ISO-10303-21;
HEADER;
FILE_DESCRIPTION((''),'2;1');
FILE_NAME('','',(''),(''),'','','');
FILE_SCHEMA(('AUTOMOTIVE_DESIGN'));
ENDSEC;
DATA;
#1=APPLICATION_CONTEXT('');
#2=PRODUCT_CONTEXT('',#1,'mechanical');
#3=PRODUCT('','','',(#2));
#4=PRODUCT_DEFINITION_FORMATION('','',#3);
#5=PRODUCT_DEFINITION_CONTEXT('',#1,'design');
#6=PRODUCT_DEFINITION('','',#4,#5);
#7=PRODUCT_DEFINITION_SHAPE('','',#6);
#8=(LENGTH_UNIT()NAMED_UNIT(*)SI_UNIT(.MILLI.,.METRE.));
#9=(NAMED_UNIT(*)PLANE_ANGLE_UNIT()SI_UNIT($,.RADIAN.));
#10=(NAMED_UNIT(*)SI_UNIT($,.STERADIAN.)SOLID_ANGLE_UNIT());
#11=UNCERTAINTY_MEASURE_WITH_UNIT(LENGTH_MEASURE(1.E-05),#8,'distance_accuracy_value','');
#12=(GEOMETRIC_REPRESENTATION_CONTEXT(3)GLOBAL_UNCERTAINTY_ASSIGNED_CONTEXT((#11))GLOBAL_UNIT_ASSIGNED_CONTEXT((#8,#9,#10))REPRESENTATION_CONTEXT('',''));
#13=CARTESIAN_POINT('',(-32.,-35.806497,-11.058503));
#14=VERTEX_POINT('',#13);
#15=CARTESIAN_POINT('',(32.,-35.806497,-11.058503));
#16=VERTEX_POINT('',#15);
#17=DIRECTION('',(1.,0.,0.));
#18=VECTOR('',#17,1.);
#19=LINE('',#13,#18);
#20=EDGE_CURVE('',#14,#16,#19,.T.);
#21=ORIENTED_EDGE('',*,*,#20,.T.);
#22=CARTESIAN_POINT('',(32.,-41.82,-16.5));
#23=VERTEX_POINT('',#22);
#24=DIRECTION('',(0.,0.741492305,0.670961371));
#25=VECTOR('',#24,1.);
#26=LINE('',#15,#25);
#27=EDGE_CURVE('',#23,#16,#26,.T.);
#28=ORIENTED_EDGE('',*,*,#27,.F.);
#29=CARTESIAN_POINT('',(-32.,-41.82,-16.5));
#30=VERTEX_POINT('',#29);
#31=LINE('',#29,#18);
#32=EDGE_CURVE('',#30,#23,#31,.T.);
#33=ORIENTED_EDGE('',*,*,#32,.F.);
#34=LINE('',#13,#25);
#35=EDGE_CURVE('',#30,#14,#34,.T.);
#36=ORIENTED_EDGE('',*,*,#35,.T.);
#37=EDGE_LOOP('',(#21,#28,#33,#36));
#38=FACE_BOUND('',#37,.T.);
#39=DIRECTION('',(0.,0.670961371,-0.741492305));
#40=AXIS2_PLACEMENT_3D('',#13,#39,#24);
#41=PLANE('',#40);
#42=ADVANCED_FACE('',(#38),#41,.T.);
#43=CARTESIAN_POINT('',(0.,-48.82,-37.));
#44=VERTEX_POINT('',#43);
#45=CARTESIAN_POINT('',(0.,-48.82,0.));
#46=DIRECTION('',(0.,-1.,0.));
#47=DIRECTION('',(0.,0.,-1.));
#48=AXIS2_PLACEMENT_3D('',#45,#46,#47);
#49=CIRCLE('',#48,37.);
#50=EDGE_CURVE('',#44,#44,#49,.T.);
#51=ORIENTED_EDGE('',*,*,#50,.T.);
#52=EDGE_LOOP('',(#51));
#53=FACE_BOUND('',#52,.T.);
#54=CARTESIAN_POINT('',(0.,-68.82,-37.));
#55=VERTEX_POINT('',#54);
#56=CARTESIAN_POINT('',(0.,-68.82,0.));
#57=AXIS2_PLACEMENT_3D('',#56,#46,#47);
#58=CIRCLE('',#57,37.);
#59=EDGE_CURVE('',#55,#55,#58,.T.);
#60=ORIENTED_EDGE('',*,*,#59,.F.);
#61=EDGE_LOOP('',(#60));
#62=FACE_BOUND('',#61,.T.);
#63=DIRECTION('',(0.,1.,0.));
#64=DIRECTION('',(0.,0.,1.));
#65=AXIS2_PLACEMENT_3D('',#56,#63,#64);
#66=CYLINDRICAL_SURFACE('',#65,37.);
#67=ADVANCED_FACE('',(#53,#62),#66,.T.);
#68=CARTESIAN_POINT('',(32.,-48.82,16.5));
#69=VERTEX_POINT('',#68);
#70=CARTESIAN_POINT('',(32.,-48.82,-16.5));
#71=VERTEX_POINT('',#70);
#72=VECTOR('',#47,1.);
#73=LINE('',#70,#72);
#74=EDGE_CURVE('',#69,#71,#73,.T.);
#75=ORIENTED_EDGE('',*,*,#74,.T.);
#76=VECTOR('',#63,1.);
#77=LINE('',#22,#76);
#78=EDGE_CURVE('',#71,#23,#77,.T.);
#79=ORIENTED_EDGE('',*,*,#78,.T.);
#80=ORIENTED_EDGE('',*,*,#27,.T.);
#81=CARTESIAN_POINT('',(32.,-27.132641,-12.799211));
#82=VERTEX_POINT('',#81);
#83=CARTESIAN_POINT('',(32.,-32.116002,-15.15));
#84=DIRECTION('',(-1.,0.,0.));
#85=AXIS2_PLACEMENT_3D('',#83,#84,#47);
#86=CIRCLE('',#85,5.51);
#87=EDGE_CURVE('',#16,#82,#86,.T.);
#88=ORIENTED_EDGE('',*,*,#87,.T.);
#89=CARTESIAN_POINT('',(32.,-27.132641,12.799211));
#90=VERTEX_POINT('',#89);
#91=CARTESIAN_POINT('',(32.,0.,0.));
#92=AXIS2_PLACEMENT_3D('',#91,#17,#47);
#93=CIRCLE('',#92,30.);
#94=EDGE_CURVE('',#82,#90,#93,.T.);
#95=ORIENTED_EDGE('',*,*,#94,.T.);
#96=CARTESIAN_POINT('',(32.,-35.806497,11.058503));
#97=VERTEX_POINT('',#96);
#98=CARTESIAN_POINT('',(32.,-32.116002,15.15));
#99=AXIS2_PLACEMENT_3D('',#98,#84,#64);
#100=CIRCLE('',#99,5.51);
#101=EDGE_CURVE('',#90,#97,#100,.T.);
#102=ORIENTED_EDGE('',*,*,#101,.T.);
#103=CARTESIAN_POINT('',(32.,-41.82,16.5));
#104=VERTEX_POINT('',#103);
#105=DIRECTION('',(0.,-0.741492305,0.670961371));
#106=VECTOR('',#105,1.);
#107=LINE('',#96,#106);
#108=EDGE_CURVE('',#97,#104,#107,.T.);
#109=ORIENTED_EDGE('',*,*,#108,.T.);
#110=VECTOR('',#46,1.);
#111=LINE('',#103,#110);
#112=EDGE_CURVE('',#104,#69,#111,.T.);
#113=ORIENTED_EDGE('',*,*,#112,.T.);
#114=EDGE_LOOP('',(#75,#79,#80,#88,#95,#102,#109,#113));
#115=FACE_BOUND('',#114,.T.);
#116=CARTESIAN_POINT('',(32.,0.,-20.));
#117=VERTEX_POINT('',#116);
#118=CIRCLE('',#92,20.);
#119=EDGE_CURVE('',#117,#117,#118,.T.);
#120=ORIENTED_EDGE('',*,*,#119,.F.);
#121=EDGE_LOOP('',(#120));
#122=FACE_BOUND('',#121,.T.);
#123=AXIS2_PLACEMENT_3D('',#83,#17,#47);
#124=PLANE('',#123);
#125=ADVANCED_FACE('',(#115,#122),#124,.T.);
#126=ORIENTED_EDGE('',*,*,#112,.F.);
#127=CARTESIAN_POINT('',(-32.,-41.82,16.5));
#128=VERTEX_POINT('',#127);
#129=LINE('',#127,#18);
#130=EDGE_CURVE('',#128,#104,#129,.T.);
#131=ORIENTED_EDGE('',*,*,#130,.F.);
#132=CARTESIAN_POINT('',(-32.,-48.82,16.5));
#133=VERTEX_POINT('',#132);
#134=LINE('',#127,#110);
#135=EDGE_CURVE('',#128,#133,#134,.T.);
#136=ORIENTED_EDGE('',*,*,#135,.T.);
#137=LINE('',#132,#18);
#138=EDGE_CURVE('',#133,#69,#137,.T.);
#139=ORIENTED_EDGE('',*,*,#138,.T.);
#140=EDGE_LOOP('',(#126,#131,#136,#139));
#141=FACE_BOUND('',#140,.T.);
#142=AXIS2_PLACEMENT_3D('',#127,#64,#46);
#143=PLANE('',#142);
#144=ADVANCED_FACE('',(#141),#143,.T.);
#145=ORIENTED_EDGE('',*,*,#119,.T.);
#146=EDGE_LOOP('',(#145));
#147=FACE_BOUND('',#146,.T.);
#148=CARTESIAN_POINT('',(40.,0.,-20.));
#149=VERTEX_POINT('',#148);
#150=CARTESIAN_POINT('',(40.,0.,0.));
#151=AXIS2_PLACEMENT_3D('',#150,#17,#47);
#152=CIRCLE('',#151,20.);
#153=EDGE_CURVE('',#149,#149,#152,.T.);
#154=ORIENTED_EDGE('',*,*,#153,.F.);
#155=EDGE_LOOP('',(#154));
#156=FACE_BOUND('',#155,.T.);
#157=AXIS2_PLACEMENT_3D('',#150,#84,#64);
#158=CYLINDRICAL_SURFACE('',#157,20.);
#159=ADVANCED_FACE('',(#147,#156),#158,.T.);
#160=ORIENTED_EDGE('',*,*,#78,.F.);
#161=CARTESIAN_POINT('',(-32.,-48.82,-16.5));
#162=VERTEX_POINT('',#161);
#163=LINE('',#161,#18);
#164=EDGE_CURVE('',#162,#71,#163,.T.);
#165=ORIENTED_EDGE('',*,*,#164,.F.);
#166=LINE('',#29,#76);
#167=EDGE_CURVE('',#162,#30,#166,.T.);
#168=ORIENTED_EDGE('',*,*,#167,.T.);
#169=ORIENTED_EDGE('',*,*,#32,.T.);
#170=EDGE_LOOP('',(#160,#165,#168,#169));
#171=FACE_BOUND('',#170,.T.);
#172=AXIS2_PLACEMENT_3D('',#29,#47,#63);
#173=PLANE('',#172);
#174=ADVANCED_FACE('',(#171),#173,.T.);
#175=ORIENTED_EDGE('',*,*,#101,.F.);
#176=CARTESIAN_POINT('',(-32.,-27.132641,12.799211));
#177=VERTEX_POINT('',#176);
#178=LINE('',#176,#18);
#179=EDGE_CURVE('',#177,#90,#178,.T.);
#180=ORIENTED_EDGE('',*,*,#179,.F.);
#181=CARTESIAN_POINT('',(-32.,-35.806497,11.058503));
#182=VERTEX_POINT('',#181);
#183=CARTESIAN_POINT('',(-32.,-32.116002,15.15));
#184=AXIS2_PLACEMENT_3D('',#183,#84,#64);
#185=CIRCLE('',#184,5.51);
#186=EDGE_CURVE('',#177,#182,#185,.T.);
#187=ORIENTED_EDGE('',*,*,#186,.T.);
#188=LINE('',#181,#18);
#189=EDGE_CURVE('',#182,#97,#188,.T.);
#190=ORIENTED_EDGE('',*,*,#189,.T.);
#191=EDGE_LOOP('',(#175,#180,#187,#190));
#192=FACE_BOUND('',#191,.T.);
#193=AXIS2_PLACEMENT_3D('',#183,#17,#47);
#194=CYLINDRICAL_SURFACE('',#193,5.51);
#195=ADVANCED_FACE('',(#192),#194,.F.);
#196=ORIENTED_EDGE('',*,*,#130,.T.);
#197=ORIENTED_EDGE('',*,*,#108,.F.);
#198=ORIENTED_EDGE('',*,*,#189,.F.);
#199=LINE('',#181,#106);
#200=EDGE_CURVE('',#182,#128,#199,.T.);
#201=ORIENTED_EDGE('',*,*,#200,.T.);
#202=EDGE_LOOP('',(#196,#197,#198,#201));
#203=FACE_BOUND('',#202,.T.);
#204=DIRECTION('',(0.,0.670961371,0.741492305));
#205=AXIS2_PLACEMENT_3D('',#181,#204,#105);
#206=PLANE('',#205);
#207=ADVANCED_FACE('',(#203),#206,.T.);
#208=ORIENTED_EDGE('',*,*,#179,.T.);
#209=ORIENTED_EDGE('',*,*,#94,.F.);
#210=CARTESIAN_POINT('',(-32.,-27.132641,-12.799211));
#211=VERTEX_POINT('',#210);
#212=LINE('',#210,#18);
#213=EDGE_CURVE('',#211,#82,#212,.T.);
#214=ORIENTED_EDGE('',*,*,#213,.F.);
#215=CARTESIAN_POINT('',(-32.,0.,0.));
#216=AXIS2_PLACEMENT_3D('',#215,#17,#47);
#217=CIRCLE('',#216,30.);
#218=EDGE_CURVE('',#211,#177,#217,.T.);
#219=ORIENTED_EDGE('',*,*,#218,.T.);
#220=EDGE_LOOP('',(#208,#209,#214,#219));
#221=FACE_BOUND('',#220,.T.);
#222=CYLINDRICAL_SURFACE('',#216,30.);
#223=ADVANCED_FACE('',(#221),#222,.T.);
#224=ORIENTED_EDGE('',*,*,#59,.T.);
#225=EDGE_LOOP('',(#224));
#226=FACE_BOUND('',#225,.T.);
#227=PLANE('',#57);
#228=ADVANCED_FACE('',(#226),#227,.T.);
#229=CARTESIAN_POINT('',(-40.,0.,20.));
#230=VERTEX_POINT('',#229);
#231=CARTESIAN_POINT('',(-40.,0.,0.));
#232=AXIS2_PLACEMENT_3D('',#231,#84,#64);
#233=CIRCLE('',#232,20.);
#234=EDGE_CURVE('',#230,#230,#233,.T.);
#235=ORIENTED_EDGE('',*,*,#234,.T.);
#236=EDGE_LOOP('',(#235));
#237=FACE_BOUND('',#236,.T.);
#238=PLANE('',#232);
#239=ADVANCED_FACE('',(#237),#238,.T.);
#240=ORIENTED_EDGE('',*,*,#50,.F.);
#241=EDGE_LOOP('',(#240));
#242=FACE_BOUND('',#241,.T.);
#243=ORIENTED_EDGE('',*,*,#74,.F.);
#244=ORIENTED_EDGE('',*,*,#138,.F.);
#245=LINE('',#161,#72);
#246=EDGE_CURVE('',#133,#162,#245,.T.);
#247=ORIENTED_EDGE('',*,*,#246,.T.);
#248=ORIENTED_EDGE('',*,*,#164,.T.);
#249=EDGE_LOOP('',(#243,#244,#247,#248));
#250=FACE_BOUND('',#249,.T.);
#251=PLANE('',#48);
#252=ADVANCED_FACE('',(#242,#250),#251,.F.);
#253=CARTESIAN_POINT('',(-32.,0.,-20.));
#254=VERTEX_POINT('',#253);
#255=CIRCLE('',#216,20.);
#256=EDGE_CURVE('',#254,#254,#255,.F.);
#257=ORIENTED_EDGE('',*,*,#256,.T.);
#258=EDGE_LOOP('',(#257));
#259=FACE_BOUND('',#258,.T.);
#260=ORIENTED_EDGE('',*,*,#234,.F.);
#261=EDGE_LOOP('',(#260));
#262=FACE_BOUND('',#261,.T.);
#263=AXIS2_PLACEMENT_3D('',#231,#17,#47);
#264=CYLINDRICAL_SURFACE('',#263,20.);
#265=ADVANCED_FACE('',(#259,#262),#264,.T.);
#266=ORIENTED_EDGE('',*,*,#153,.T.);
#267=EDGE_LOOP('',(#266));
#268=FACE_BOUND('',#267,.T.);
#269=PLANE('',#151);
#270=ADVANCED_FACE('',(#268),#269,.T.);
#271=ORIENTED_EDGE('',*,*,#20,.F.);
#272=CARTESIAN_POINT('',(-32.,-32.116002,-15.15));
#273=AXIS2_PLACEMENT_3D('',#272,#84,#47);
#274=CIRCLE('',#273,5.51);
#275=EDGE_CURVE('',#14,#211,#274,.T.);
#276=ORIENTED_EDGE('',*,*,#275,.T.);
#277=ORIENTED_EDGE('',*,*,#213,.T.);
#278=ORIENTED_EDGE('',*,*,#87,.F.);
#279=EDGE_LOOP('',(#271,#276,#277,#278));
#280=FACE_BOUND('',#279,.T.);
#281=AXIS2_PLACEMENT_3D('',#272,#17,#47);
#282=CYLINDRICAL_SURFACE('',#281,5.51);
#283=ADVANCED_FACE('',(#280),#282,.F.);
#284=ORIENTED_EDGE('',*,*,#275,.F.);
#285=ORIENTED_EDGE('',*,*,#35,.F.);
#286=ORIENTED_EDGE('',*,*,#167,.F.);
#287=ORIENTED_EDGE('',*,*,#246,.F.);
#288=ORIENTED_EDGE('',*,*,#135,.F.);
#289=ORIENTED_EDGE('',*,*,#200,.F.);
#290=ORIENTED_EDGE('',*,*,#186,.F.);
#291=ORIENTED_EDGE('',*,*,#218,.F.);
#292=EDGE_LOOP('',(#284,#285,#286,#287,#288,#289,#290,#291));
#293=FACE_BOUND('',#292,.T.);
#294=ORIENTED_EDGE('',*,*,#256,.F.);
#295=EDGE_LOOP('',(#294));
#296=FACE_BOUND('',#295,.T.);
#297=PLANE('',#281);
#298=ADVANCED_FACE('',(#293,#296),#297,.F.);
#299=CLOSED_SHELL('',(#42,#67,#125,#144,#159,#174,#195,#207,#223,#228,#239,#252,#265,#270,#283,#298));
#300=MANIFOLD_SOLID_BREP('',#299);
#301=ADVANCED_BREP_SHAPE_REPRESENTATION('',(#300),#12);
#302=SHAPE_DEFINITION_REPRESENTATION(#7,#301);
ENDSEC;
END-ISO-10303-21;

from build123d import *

# Parameters (mm, degrees)
BOSS_EXTRUDE1_DEPTH      = 32
BOSS_EXTRUDE1_DEPTH_BACK = 32
SKETCH3_R                = 20
BOSS_EXTRUDE2_DEPTH      = 8
SKETCH4_R                = 20
BOSS_EXTRUDE3_DEPTH      = 8
SKETCH5_R                = 37
BOSS_EXTRUDE4_DEPTH      = 20


with BuildPart() as part:
    # Sketch2 → Boss-Extrude1 (new body, two sides)
    with BuildSketch(Plane(origin=(0, 0, 0), x_dir=(0, 0, -1), z_dir=(1, 0, 0))) as boss_extrude1_sk:
        with BuildLine():
            Line((-11.058503278, -35.806497408), (-16.5, -41.82))
            Line((-16.5, -41.82), (-16.5, -48.82))
            Line((-16.5, -48.82), (16.5, -48.82))
            Line((16.5, -48.82), (16.5, -41.82))
            Line((16.5, -41.82), (11.058503278, -35.806497408))
            ThreePointArc((11.058503278, -35.806497408), (9.747712726, -31.031847175), (12.79921149, -27.132640587))
            ThreePointArc((12.79921149, -27.132640587), (0, 30), (-12.79921149, -27.132640587))
            ThreePointArc((-12.79921149, -27.132640587), (-9.747712726, -31.031847175), (-11.058503278, -35.806497408))
        make_face()
    extrude(amount=BOSS_EXTRUDE1_DEPTH)
    extrude(boss_extrude1_sk.sketch, amount=-BOSS_EXTRUDE1_DEPTH_BACK)

    # Sketch3 → Boss-Extrude2 (add)
    with BuildSketch(Plane(origin=(32, 0, 0), x_dir=(0, 0, -1), z_dir=(1, 0, 0))):
        Circle(SKETCH3_R)
    extrude(amount=BOSS_EXTRUDE2_DEPTH)

    # Sketch4 → Boss-Extrude3 (add)
    with BuildSketch(Plane.ZY.offset(32)):
        Circle(SKETCH4_R)
    extrude(amount=BOSS_EXTRUDE3_DEPTH)

    # Sketch5 → Boss-Extrude4 (add)
    with BuildSketch(Plane.XZ.offset(48.82)):
        Circle(SKETCH5_R)
    extrude(amount=BOSS_EXTRUDE4_DEPTH)


solid = part.part
